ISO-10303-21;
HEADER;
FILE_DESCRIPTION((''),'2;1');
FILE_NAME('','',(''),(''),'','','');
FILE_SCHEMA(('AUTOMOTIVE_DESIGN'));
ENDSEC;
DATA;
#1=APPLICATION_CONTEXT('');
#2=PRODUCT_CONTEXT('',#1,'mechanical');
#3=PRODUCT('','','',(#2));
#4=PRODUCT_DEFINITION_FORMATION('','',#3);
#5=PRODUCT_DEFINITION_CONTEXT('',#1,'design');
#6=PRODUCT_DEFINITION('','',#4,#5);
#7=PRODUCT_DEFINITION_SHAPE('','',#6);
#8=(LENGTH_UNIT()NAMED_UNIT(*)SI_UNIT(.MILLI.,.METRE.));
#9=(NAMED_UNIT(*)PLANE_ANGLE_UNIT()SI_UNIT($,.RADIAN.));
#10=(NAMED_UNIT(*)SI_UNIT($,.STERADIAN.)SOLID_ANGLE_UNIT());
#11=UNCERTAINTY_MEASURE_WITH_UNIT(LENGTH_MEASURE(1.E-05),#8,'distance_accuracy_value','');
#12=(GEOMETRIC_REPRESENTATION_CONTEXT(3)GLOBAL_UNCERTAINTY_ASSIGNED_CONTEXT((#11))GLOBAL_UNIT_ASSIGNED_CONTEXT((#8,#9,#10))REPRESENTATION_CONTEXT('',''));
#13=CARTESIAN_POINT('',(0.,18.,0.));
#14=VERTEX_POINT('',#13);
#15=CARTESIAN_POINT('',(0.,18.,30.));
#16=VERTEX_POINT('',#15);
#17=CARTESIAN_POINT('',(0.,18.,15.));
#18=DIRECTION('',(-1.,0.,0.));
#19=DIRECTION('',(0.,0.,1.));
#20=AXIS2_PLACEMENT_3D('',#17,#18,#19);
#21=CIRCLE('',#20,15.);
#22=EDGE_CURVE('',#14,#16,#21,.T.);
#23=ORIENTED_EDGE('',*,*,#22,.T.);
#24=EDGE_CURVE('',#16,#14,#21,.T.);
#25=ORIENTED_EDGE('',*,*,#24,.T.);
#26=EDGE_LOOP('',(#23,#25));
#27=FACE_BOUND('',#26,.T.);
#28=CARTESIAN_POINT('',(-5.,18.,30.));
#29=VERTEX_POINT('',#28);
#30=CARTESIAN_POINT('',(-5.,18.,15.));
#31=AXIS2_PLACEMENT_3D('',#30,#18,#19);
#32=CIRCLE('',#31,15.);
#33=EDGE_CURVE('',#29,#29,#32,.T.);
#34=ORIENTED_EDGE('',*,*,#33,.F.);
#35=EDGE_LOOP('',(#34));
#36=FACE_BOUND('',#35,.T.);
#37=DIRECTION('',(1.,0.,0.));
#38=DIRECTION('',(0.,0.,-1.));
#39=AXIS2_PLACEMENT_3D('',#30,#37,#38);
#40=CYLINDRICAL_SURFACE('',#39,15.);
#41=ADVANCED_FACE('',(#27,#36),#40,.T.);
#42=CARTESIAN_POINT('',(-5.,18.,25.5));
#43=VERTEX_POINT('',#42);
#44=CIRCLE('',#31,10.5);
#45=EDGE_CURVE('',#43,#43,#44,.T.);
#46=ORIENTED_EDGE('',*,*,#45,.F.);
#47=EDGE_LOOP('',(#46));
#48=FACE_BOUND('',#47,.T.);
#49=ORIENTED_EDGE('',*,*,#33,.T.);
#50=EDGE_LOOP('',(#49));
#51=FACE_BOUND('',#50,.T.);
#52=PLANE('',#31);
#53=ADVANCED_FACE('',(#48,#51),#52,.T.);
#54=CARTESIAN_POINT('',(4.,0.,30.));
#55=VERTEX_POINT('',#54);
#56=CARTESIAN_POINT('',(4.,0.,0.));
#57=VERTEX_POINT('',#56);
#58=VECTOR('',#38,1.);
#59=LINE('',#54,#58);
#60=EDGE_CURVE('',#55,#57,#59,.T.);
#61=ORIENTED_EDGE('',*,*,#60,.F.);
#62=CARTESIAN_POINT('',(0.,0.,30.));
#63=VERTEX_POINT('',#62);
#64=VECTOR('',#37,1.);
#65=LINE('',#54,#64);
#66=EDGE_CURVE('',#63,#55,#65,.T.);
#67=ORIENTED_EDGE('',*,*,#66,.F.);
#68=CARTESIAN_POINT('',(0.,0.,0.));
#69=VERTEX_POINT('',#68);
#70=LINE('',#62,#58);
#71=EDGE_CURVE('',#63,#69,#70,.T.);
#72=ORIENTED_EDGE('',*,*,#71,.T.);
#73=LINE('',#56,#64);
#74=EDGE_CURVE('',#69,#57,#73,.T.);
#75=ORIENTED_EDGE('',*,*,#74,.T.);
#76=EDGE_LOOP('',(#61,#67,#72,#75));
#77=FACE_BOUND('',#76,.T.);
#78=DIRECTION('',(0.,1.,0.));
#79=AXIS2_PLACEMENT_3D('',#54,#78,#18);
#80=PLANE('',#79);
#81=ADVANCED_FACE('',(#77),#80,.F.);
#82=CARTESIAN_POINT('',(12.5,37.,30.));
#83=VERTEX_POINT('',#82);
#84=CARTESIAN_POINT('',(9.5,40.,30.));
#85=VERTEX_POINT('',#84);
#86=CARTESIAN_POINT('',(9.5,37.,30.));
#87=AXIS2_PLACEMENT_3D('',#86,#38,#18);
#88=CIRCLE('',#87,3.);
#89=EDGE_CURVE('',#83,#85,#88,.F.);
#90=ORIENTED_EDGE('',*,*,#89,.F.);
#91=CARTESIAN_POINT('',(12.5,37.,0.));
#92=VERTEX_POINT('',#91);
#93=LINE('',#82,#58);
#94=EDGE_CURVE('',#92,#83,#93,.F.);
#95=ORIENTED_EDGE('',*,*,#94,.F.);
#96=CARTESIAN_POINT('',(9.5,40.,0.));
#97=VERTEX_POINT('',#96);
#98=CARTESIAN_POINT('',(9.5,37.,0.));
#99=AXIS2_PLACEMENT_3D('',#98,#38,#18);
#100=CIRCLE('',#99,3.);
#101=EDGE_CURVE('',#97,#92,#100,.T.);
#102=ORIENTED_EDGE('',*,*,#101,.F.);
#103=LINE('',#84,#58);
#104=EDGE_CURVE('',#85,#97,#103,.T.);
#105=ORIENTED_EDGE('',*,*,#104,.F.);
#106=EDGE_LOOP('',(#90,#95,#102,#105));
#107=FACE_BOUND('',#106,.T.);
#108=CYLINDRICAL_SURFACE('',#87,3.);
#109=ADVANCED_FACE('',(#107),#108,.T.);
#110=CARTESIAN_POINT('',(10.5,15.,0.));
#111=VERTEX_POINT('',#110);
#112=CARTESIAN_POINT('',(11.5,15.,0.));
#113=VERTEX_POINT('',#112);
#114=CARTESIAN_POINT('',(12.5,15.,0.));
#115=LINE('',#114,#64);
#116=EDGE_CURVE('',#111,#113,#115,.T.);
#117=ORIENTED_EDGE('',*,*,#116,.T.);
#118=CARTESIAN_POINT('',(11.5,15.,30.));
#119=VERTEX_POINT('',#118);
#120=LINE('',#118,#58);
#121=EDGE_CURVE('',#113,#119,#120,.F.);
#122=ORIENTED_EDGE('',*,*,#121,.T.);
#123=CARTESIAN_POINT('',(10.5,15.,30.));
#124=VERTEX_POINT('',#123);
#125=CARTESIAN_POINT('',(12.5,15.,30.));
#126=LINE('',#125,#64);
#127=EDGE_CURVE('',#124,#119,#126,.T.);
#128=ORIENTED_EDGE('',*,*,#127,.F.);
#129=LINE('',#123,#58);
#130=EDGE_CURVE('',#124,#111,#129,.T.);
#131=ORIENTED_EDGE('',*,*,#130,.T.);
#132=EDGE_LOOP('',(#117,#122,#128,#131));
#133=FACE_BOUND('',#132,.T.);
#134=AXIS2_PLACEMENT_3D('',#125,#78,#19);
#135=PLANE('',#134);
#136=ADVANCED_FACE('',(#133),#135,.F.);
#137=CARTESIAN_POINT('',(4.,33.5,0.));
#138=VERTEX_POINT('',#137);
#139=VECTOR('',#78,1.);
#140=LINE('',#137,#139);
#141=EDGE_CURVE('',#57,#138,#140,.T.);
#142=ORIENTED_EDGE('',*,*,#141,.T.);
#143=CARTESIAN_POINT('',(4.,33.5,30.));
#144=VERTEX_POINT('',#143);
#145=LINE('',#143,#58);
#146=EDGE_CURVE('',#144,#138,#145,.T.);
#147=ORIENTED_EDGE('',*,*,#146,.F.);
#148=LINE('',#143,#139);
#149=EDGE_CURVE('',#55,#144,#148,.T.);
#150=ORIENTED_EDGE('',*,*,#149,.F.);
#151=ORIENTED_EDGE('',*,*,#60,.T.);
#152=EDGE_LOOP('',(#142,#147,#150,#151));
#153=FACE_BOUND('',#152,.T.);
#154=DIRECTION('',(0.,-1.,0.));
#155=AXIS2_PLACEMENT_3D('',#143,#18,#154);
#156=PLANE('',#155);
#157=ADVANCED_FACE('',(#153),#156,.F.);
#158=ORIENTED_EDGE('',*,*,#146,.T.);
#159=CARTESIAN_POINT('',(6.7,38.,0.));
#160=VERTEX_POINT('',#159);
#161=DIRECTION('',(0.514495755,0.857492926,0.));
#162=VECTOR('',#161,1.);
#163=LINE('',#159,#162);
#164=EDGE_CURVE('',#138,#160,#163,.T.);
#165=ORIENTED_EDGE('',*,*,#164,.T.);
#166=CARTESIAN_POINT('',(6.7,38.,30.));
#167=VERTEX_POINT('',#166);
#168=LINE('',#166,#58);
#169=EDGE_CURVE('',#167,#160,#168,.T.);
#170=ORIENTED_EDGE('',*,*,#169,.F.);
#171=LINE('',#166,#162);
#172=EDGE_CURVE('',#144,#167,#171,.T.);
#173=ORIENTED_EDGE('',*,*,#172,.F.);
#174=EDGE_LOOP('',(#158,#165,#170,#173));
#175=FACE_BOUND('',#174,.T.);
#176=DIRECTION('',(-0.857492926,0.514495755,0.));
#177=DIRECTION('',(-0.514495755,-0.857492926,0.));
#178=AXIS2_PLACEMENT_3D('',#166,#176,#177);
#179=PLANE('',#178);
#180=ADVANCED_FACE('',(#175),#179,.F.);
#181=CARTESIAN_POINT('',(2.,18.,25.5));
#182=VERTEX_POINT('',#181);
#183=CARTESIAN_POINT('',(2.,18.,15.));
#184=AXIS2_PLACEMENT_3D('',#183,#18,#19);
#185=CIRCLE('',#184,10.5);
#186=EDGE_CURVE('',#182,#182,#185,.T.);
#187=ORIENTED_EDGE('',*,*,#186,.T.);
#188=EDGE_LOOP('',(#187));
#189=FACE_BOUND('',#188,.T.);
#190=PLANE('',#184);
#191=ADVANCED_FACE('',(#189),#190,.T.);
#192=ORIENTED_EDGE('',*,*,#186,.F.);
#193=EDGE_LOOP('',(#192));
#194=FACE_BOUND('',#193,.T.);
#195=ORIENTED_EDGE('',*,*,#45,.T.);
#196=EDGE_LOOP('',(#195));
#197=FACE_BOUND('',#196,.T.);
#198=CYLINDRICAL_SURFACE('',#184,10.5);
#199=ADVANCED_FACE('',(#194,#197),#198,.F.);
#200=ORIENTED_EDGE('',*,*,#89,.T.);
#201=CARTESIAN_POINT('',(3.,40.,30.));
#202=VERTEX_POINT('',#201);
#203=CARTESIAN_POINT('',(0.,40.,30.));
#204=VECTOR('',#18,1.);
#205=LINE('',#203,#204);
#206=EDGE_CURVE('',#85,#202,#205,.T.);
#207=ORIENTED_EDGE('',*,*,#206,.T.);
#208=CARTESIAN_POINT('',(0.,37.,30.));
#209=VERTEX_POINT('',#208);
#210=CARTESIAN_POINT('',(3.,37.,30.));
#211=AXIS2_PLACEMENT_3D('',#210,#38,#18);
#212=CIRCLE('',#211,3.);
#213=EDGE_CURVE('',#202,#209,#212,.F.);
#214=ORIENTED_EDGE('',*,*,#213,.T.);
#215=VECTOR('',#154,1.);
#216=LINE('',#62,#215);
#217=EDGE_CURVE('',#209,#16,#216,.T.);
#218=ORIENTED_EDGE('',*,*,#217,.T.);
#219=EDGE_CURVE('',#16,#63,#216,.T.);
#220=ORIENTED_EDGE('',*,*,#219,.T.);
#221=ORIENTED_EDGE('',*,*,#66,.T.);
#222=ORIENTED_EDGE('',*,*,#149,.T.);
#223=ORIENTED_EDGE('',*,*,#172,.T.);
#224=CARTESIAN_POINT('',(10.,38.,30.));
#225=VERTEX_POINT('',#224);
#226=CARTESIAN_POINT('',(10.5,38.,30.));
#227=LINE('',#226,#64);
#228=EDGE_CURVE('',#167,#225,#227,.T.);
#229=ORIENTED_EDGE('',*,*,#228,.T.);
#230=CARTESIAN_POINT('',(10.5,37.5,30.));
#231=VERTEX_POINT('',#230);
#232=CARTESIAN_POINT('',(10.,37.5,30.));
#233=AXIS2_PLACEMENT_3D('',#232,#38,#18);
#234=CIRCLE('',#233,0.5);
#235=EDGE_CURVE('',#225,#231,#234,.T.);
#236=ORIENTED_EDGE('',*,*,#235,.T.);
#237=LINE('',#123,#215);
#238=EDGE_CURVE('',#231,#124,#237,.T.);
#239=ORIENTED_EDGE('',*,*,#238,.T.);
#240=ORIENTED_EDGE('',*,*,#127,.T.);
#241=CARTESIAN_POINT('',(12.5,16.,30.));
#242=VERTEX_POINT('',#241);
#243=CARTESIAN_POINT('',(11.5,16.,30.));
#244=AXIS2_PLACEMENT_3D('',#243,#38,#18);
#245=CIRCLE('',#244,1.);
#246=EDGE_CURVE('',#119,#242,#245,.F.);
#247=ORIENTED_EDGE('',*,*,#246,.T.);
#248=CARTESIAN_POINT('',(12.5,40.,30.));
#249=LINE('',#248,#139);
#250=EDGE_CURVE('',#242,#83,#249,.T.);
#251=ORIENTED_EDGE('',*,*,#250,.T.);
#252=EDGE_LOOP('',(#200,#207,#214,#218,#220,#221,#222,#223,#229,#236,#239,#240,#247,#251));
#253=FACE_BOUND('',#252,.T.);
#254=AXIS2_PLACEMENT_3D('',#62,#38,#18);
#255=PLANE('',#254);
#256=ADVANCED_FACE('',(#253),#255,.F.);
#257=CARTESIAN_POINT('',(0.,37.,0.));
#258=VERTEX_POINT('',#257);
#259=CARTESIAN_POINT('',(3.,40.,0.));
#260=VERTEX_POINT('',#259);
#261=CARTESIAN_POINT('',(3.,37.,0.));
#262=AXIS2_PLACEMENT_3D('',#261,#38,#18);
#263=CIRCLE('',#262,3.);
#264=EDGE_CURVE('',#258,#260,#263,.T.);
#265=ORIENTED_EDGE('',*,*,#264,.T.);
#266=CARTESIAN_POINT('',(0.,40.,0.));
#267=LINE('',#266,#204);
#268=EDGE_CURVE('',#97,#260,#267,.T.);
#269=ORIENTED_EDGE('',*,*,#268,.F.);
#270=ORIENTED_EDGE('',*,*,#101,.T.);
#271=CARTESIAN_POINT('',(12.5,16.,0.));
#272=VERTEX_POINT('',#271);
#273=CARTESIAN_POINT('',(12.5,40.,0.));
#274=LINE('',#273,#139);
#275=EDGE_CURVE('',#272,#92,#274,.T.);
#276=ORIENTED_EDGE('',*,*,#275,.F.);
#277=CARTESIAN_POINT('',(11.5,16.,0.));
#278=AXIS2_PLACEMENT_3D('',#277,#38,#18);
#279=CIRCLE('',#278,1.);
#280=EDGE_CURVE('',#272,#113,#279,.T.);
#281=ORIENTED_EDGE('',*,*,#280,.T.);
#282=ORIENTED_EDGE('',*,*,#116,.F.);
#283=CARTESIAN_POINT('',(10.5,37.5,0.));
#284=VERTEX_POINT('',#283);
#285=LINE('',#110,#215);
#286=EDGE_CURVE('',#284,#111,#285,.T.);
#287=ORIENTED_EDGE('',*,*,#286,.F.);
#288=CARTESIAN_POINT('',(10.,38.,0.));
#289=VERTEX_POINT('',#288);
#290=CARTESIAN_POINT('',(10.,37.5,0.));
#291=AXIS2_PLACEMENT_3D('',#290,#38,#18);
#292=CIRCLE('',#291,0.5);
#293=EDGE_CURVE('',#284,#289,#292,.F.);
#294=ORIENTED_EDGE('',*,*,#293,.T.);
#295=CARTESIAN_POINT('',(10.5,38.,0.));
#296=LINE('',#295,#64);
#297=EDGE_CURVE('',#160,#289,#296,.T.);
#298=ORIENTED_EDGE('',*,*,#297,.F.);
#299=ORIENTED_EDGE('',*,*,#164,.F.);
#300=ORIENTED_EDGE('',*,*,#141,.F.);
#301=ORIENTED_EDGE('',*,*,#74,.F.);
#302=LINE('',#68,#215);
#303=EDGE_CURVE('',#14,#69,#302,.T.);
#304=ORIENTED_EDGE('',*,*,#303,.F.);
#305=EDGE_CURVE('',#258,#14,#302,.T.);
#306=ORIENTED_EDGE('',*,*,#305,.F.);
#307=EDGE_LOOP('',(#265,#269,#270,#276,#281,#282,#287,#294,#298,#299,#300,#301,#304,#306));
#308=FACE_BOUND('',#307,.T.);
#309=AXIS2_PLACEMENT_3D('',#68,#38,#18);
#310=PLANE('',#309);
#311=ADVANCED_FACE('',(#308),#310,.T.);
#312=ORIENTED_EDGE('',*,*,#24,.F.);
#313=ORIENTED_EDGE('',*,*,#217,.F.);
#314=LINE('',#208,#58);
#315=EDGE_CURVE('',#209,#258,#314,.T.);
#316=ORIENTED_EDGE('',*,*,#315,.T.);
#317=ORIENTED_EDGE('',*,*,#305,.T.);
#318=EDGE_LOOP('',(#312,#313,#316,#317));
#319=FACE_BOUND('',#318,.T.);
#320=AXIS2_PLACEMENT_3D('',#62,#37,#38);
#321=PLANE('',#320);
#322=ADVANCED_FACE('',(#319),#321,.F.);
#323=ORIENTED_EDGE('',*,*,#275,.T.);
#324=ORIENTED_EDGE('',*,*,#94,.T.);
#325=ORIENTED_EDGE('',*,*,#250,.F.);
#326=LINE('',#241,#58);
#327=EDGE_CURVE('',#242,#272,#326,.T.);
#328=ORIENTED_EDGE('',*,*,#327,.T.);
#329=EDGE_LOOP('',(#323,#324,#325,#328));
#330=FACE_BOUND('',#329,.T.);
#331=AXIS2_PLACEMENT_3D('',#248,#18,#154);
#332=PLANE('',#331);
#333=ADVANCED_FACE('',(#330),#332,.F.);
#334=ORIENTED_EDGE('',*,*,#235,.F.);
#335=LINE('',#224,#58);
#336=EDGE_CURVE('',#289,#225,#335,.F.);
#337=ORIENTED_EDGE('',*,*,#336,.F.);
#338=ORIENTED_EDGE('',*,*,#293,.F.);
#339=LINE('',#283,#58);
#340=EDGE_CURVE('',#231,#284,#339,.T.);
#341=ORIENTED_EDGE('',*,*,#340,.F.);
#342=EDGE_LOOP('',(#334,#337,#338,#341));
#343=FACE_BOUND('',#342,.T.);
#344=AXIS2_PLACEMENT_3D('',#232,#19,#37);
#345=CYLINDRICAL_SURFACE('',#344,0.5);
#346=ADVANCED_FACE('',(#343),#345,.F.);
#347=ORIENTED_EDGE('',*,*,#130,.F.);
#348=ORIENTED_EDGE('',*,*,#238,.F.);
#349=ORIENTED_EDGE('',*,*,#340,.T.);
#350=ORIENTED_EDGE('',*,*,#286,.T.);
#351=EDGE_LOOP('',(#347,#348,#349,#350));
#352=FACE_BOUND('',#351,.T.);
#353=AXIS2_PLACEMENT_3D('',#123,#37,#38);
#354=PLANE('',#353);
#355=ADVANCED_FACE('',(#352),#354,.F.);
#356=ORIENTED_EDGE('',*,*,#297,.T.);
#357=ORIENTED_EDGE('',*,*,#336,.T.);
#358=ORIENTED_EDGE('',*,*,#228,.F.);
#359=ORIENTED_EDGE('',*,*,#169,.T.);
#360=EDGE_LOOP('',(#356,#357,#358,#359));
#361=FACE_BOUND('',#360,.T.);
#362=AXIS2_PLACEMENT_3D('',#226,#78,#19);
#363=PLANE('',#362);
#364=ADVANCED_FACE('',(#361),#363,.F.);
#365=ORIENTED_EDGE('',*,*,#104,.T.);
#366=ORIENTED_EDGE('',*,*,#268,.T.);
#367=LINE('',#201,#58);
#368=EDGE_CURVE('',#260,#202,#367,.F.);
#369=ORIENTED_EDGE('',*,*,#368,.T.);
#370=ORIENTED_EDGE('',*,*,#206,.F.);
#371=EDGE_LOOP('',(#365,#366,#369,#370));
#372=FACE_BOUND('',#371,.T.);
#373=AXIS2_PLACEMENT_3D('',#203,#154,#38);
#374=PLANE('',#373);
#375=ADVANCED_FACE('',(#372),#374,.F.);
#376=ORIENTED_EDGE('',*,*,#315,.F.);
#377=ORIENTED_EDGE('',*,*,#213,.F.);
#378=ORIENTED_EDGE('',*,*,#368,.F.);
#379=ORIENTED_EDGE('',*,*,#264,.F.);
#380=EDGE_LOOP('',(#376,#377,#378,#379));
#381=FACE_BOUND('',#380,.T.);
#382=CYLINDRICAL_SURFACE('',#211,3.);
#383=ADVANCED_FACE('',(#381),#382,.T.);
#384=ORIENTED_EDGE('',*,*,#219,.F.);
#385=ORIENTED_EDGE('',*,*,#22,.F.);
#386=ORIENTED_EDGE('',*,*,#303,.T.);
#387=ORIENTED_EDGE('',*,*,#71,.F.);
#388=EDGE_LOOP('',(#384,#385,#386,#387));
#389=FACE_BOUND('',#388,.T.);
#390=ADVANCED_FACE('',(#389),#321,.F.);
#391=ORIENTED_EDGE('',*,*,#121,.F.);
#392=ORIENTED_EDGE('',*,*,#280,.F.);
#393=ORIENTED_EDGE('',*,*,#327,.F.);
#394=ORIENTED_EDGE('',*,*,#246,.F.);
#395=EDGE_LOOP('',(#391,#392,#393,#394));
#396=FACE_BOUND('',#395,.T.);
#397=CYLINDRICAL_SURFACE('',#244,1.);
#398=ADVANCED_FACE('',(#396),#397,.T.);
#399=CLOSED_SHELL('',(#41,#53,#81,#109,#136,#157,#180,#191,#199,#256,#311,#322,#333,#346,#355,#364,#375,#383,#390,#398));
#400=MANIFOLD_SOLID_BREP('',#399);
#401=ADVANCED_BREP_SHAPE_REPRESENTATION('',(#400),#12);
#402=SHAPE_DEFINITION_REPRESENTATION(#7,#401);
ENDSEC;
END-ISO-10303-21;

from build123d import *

# Parameters (mm, degrees)
BOSS_EXTRUDE1_DEPTH = 30
FILLET1_R           = 3
FILLET2_R           = 0.5
FILLET3_R           = 1
SKETCH3_R           = 15
BOSS_EXTRUDE2_DEPTH = 5
SKETCH4_R           = 10.5
CUT_EXTRUDE2_DEPTH  = 7


with BuildPart() as part:
    # Sketch1 → Boss-Extrude1 (new body)
    with BuildSketch(Plane.XY):
        Polygon((0, 0), (0, 40), (12.5, 40), (12.5, 15), (10.5, 15), (10.5, 38), (6.7, 38), (4, 33.5), (4, 0), align=None)
    extrude(amount=BOSS_EXTRUDE1_DEPTH)

    # Fillet1
    fillet1_edges = [part.edges().sort_by_distance(p)[0] for p in [
        (0, 40, 15),
        (12.5, 40, 15),
    ]]
    fillet(fillet1_edges, radius=FILLET1_R)

    # Fillet2
    fillet2_edges = [part.edges().sort_by_distance(p)[0] for p in [
        (10.5, 38, 15),
    ]]
    fillet(fillet2_edges, radius=FILLET2_R)

    # Fillet3
    fillet3_edges = [part.edges().sort_by_distance(p)[0] for p in [
        (12.5, 15, 15),
    ]]
    fillet(fillet3_edges, radius=FILLET3_R)

    # Sketch3 → Boss-Extrude2 (add)
    with BuildSketch(Plane.ZY):
        with Locations((15, 18)):
            Circle(SKETCH3_R)
    extrude(amount=BOSS_EXTRUDE2_DEPTH)

    # Sketch4 → Cut-Extrude2 (cut)
    with BuildSketch(Plane.ZY.offset(5)):
        with Locations((15, 18)):
            Circle(SKETCH4_R)
    extrude(amount=-CUT_EXTRUDE2_DEPTH, mode=Mode.SUBTRACT)


solid = part.part
